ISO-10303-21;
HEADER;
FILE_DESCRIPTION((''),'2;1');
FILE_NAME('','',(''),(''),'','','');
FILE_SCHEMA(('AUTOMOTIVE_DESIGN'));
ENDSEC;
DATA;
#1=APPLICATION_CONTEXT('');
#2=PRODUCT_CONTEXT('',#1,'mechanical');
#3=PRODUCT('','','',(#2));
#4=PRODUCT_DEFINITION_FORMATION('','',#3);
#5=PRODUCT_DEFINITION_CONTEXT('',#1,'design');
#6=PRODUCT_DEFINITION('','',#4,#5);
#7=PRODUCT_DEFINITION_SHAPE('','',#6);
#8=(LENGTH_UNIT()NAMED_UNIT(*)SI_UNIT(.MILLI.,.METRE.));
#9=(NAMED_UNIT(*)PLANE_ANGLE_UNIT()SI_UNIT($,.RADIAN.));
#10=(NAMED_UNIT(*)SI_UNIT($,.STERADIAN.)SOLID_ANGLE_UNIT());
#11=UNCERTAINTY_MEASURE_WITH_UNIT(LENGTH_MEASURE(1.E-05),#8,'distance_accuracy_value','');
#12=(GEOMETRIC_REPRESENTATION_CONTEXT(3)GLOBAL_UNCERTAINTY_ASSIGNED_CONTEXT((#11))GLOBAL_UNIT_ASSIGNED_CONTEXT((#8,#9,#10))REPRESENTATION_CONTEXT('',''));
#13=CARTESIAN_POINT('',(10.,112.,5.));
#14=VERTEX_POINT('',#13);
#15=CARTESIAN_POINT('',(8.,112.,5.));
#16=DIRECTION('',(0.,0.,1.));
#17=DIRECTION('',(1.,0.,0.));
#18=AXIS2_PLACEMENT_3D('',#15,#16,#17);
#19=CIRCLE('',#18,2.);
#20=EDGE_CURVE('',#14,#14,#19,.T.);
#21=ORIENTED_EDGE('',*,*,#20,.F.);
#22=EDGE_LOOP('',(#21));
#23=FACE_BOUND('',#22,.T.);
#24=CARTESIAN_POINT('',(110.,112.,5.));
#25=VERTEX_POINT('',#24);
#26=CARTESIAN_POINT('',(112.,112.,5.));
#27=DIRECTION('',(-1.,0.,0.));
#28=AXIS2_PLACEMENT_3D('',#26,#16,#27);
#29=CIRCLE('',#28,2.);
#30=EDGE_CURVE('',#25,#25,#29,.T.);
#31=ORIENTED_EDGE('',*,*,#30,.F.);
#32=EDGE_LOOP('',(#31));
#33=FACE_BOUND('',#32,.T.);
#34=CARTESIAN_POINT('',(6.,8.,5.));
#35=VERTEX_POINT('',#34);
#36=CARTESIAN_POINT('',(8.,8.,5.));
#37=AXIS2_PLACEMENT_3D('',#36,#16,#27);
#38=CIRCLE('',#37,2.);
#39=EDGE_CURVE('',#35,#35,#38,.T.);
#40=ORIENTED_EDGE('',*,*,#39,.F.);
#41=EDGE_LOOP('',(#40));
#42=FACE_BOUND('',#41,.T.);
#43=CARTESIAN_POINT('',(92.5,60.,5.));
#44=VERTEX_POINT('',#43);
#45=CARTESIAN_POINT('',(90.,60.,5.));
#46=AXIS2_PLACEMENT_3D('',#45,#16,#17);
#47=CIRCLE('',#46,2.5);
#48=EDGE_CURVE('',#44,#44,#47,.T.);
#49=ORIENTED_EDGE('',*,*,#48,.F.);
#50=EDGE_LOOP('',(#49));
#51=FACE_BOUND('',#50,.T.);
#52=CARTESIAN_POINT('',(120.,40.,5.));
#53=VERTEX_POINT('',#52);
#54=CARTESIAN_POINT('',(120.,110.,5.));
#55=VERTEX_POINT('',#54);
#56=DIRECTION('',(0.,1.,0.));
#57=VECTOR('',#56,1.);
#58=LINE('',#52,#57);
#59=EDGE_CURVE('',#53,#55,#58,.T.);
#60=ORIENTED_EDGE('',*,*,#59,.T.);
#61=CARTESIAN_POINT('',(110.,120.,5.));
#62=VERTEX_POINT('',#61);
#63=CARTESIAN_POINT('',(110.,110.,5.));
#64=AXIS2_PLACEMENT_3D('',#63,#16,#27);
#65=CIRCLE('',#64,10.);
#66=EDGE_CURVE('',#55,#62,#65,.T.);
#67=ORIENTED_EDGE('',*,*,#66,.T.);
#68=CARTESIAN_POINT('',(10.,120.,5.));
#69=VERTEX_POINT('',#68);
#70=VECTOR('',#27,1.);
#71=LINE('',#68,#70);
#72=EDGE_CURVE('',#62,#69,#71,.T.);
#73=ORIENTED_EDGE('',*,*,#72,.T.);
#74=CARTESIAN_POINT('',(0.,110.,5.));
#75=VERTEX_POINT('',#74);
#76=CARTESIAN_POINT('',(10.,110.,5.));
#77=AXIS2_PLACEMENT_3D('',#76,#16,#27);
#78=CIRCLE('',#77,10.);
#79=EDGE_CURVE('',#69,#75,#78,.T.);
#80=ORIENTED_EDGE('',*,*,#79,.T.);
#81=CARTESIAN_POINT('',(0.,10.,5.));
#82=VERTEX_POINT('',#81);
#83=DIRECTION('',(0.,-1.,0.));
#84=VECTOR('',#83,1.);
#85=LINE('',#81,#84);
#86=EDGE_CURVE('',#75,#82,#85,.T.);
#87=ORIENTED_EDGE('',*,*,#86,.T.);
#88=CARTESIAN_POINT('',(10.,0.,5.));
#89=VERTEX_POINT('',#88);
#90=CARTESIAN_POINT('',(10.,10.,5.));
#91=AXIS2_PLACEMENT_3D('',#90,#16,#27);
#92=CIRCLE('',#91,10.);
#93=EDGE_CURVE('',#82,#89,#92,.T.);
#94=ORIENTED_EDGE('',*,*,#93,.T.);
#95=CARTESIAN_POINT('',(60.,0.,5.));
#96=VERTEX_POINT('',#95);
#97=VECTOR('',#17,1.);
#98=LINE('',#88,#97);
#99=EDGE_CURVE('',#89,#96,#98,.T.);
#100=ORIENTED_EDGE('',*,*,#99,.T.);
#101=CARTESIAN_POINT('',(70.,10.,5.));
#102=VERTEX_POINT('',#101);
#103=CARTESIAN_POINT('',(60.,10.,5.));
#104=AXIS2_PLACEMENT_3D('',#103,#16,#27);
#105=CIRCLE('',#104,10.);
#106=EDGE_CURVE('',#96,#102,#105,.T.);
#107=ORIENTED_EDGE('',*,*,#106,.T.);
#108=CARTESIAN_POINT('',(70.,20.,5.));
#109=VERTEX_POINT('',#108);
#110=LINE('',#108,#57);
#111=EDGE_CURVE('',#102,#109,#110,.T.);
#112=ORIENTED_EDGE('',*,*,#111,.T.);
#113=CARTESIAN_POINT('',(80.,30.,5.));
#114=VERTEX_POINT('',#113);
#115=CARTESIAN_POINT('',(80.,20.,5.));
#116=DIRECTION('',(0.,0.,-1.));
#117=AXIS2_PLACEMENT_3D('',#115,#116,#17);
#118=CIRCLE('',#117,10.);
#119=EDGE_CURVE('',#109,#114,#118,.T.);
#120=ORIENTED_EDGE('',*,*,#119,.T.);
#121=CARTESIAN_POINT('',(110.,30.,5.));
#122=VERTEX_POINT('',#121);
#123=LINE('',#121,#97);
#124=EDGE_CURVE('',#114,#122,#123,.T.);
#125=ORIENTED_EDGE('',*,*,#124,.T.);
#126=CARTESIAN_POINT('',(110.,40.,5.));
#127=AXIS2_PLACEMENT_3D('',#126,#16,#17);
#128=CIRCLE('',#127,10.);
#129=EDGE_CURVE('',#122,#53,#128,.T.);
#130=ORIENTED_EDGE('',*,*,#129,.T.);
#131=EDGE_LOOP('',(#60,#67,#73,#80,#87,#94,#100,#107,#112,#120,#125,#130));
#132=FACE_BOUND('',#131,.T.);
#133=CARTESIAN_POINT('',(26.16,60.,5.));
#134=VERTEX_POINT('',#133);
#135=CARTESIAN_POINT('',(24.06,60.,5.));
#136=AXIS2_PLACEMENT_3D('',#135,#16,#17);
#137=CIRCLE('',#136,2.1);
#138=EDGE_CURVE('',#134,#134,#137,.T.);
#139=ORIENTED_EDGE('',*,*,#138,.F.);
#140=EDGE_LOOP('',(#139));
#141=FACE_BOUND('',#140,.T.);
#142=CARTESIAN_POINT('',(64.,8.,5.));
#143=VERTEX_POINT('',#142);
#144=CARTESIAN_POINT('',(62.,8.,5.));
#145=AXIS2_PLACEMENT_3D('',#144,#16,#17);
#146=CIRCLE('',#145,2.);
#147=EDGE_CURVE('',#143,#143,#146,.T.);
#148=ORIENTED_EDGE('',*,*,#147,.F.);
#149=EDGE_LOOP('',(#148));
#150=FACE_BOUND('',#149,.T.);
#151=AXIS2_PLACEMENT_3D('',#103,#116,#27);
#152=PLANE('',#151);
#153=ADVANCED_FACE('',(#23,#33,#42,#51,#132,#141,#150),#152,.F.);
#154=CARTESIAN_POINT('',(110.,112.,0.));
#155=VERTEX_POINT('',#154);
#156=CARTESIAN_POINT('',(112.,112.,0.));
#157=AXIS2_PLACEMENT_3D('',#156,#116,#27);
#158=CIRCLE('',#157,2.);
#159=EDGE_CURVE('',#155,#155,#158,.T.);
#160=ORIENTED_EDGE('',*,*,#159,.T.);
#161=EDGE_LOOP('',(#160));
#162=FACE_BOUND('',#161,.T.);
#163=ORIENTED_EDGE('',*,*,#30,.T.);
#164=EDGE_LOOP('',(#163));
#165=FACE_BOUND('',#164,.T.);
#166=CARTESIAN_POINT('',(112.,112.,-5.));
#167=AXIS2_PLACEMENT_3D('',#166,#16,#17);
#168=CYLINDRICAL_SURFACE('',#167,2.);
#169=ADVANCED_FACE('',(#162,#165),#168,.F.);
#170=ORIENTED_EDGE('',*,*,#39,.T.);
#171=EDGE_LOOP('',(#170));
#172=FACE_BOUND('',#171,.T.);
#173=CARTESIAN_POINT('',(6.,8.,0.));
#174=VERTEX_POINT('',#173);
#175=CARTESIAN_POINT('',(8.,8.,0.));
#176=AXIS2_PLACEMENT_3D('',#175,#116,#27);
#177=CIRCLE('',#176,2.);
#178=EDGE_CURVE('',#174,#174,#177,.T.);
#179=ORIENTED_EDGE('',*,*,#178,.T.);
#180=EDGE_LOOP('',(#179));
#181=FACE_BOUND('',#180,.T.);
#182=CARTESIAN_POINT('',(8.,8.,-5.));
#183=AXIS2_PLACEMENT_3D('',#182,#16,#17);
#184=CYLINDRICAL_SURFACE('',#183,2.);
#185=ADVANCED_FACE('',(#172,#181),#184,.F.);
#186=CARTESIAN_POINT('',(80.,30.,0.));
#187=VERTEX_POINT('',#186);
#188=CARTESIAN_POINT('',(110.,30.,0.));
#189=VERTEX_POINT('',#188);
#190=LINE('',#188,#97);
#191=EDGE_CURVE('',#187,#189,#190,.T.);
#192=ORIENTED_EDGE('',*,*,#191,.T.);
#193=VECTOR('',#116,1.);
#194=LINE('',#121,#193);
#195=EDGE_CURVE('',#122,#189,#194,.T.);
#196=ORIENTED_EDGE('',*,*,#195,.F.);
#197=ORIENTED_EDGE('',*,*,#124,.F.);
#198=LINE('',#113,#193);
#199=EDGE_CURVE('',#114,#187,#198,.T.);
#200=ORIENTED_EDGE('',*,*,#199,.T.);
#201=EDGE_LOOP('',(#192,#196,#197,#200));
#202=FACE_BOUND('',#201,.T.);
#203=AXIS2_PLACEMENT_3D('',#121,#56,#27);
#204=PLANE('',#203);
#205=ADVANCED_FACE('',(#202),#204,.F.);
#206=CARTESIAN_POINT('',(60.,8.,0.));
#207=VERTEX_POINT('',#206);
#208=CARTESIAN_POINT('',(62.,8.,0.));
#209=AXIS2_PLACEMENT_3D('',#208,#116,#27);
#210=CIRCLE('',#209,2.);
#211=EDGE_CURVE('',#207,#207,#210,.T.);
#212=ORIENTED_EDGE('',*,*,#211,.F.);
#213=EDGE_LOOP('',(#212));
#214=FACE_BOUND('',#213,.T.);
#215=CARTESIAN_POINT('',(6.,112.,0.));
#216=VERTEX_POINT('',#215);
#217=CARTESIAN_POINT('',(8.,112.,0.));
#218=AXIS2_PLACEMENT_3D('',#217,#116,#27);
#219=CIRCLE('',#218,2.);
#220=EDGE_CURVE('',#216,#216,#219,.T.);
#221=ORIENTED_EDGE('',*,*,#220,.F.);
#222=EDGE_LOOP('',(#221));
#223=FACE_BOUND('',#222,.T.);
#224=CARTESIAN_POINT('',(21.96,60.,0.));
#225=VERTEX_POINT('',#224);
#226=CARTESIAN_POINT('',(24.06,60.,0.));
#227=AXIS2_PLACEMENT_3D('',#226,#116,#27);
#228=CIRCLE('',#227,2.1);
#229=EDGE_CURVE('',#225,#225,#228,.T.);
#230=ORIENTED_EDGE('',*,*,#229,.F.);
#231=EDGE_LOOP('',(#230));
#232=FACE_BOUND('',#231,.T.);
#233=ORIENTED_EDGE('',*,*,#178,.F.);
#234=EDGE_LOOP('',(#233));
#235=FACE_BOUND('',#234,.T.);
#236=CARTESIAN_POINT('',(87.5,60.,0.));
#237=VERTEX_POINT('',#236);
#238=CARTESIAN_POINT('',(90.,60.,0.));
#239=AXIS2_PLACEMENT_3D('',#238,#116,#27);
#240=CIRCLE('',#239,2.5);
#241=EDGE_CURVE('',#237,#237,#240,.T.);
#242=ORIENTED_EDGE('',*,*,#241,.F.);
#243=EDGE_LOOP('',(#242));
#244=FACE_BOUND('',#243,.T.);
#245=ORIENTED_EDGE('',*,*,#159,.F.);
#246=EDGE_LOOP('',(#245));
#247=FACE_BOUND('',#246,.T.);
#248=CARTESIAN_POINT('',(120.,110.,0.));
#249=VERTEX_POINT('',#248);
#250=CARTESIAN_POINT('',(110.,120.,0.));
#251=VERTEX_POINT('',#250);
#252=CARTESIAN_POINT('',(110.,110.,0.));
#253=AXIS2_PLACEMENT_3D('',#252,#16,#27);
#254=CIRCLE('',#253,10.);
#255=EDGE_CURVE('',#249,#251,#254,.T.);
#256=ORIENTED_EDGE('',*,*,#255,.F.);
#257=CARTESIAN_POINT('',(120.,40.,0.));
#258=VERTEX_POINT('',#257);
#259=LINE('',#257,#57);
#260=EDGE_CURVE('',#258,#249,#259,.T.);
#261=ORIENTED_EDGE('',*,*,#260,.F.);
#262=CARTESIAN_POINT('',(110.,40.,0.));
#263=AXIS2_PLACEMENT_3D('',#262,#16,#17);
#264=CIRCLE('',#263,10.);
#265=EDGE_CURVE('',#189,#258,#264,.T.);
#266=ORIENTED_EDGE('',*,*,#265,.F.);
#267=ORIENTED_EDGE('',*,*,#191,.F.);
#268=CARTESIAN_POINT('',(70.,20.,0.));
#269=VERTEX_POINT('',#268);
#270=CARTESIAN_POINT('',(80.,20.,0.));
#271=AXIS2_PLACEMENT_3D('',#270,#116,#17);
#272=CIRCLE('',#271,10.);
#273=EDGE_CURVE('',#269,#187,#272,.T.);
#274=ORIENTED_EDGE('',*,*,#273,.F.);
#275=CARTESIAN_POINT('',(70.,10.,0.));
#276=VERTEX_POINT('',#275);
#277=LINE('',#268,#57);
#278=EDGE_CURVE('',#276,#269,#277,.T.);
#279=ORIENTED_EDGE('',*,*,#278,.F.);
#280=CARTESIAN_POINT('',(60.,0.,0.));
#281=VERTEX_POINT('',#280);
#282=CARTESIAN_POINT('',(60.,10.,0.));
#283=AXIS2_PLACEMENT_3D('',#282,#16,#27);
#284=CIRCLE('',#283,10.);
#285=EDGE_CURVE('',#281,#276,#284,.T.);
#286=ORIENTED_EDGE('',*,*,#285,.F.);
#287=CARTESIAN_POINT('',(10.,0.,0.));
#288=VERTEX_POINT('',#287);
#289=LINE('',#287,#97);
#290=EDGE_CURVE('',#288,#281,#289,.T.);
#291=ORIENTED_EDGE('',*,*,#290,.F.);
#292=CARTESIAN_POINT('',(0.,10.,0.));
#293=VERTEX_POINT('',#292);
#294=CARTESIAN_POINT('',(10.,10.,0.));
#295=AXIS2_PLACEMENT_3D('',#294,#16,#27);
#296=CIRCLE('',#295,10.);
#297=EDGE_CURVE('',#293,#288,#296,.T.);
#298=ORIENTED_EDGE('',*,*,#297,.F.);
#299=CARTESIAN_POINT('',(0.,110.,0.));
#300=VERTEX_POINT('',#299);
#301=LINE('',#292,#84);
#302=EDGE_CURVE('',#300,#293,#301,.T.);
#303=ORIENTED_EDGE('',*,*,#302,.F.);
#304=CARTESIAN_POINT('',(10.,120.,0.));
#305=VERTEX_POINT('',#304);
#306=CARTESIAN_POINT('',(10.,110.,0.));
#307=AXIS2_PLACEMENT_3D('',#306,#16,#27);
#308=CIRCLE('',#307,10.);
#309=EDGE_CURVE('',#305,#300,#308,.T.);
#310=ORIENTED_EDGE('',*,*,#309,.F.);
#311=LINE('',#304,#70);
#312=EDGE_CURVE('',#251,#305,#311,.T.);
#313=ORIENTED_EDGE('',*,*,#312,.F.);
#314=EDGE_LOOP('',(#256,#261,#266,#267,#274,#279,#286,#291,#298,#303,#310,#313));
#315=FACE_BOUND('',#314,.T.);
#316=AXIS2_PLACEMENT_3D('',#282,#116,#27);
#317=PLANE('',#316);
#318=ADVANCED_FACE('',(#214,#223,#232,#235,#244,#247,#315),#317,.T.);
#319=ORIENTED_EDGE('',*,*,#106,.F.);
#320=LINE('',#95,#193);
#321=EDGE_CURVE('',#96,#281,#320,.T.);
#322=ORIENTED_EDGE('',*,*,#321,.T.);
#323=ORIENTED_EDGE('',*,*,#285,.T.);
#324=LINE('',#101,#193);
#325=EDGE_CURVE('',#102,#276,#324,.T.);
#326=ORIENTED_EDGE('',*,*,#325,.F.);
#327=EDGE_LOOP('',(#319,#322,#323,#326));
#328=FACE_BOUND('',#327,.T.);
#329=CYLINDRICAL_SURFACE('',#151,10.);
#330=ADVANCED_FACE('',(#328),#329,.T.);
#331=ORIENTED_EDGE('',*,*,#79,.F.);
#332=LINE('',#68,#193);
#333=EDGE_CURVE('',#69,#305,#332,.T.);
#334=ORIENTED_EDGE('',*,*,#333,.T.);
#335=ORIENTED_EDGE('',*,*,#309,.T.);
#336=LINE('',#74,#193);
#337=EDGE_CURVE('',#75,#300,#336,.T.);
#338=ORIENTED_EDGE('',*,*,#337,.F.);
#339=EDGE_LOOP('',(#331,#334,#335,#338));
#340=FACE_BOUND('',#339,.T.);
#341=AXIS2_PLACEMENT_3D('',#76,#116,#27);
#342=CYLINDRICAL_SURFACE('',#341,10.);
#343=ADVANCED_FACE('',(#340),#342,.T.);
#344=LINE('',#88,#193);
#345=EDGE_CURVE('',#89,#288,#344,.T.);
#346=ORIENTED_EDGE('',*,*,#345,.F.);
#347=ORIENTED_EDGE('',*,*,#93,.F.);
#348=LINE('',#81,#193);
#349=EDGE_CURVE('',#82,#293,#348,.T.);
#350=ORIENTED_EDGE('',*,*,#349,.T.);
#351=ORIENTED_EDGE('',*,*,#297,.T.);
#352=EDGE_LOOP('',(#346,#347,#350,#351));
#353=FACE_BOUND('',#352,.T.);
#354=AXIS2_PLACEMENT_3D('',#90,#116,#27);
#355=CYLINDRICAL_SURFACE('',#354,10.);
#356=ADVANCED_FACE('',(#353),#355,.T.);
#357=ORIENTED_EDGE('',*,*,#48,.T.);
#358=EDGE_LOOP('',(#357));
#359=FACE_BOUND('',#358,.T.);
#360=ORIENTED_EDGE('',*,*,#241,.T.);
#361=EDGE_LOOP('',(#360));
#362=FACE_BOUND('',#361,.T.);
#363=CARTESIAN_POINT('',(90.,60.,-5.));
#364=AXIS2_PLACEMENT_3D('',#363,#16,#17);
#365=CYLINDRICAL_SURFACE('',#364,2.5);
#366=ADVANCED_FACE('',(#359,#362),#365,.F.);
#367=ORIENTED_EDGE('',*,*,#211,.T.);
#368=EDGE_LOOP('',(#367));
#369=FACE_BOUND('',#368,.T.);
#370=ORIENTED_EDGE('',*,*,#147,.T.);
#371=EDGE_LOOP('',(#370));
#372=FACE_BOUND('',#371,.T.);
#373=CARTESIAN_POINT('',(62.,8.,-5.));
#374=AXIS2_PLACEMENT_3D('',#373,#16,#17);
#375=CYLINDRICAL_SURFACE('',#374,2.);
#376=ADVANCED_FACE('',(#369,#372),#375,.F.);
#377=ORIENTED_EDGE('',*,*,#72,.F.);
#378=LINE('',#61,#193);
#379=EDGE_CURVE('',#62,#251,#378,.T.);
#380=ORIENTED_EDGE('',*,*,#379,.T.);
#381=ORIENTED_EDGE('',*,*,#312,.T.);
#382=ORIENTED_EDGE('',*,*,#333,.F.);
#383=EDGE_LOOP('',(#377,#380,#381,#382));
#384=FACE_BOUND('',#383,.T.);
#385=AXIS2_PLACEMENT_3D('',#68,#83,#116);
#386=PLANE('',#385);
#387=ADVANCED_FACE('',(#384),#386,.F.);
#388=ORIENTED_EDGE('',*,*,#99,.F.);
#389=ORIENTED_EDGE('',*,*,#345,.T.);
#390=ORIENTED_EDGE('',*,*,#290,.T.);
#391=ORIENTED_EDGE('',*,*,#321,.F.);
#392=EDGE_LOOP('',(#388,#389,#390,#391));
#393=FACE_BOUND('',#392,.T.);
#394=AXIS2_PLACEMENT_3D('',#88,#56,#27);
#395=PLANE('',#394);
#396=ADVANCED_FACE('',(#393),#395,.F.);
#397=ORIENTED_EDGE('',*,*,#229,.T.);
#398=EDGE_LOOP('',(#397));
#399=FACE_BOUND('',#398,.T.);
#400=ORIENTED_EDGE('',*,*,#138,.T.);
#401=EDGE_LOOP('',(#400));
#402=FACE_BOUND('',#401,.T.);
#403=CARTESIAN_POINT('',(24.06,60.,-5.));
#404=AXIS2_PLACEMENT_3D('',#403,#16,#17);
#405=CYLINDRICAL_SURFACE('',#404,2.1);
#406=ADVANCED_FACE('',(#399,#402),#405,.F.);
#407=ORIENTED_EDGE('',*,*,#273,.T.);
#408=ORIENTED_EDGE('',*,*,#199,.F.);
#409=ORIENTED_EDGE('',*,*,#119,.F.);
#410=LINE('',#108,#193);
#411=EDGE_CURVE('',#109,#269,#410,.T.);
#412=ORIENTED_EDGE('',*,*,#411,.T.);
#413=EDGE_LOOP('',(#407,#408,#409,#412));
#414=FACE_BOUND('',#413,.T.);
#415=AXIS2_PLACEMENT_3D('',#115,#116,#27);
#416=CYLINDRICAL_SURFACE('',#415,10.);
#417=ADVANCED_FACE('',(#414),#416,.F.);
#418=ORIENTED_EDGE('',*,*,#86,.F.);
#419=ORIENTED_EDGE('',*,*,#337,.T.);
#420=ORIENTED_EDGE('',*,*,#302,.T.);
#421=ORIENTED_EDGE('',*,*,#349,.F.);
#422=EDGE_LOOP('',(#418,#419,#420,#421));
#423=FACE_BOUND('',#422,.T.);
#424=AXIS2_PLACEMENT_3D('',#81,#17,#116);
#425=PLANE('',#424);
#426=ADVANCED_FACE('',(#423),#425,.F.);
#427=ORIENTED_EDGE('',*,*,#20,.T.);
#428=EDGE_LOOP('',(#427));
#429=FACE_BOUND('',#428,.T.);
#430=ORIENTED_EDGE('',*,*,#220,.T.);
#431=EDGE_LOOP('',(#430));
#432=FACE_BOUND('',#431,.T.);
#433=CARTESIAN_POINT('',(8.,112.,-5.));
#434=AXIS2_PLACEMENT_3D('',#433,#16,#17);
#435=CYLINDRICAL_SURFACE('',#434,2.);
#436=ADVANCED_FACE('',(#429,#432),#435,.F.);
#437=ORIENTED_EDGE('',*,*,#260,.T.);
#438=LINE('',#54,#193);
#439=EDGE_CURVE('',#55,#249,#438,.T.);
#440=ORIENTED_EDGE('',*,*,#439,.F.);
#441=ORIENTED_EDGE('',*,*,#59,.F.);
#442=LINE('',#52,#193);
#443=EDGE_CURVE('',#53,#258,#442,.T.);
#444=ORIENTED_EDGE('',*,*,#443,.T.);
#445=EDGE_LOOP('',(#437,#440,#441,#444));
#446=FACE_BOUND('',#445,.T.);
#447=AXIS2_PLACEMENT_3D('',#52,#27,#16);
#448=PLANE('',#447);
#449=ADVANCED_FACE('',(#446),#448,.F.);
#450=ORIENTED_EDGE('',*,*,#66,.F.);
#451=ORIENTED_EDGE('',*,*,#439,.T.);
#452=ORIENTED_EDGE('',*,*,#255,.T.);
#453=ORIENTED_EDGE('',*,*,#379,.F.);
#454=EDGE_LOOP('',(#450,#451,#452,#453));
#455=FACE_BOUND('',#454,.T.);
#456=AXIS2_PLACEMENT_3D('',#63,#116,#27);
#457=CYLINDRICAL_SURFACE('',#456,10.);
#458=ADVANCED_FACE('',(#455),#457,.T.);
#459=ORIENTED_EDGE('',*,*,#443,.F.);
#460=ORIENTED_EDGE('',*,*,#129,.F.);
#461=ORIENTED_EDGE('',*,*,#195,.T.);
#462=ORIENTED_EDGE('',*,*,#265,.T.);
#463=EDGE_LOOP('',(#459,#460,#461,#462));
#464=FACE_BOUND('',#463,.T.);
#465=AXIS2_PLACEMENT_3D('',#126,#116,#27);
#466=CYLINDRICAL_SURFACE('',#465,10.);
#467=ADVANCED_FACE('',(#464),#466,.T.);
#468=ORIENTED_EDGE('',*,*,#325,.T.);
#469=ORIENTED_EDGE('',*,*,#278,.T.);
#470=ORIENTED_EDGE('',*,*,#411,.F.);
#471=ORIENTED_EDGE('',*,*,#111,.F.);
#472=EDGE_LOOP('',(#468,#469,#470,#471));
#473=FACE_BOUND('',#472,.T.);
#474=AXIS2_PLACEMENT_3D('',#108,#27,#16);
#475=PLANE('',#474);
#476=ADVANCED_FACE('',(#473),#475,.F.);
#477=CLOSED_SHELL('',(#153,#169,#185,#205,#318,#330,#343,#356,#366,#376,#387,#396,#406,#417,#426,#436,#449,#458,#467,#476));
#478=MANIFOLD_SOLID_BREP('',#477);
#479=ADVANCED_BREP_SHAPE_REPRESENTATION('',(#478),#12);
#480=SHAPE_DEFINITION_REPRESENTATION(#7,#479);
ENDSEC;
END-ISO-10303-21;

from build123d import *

# Parameters (mm, degrees)
SALIENTE_EXTRUIR1_DEPTH = 5
CROQUIS2_R              = 2
CROQUIS2_R_2            = 2.5
CROQUIS2_R_3            = 2.1
CORTAR_EXTRUIR1_DEPTH   = 10


with BuildPart() as part:
    # Croquis1 → Saliente-Extruir1 (new body)
    with BuildSketch(Plane.XY):
        with BuildLine():
            Line((110, 30), (80, 30))
            ThreePointArc((80, 30), (72.928932188, 27.071067812), (70, 20))
            Line((70, 20), (70, 10))
            ThreePointArc((70, 10), (67.071067812, 2.928932188), (60, 0))
            Line((60, 0), (10, 0))
            ThreePointArc((10, 0), (2.928932188, 2.928932188), (0, 10))
            Line((0, 10), (0, 110))
            ThreePointArc((0, 110), (2.928932188, 117.071067812), (10, 120))
            Line((10, 120), (110, 120))
            ThreePointArc((110, 120), (117.071067812, 117.071067812), (120, 110))
            Line((120, 110), (120, 40))
            ThreePointArc((120, 40), (117.071067812, 32.928932188), (110, 30))
        make_face()
    extrude(amount=SALIENTE_EXTRUIR1_DEPTH)

    # Croquis2 → Cortar-Extruir1 (cut)
    with BuildSketch(Plane.XY.offset(5)):
        with Locations((8, 112)):
            Circle(CROQUIS2_R)
        with Locations((8, 8)):
            Circle(CROQUIS2_R)
        with Locations((112, 8)):
            Circle(CROQUIS2_R)
        with Locations((112, 112)):
            Circle(CROQUIS2_R)
        with Locations((90, 60)):
            Circle(CROQUIS2_R_2)
        with Locations((62, 8)):
            Circle(CROQUIS2_R)
        with Locations((24.06, 60)):
            Circle(CROQUIS2_R_3)
    extrude(amount=-CORTAR_EXTRUIR1_DEPTH, mode=Mode.SUBTRACT)


solid = part.part
